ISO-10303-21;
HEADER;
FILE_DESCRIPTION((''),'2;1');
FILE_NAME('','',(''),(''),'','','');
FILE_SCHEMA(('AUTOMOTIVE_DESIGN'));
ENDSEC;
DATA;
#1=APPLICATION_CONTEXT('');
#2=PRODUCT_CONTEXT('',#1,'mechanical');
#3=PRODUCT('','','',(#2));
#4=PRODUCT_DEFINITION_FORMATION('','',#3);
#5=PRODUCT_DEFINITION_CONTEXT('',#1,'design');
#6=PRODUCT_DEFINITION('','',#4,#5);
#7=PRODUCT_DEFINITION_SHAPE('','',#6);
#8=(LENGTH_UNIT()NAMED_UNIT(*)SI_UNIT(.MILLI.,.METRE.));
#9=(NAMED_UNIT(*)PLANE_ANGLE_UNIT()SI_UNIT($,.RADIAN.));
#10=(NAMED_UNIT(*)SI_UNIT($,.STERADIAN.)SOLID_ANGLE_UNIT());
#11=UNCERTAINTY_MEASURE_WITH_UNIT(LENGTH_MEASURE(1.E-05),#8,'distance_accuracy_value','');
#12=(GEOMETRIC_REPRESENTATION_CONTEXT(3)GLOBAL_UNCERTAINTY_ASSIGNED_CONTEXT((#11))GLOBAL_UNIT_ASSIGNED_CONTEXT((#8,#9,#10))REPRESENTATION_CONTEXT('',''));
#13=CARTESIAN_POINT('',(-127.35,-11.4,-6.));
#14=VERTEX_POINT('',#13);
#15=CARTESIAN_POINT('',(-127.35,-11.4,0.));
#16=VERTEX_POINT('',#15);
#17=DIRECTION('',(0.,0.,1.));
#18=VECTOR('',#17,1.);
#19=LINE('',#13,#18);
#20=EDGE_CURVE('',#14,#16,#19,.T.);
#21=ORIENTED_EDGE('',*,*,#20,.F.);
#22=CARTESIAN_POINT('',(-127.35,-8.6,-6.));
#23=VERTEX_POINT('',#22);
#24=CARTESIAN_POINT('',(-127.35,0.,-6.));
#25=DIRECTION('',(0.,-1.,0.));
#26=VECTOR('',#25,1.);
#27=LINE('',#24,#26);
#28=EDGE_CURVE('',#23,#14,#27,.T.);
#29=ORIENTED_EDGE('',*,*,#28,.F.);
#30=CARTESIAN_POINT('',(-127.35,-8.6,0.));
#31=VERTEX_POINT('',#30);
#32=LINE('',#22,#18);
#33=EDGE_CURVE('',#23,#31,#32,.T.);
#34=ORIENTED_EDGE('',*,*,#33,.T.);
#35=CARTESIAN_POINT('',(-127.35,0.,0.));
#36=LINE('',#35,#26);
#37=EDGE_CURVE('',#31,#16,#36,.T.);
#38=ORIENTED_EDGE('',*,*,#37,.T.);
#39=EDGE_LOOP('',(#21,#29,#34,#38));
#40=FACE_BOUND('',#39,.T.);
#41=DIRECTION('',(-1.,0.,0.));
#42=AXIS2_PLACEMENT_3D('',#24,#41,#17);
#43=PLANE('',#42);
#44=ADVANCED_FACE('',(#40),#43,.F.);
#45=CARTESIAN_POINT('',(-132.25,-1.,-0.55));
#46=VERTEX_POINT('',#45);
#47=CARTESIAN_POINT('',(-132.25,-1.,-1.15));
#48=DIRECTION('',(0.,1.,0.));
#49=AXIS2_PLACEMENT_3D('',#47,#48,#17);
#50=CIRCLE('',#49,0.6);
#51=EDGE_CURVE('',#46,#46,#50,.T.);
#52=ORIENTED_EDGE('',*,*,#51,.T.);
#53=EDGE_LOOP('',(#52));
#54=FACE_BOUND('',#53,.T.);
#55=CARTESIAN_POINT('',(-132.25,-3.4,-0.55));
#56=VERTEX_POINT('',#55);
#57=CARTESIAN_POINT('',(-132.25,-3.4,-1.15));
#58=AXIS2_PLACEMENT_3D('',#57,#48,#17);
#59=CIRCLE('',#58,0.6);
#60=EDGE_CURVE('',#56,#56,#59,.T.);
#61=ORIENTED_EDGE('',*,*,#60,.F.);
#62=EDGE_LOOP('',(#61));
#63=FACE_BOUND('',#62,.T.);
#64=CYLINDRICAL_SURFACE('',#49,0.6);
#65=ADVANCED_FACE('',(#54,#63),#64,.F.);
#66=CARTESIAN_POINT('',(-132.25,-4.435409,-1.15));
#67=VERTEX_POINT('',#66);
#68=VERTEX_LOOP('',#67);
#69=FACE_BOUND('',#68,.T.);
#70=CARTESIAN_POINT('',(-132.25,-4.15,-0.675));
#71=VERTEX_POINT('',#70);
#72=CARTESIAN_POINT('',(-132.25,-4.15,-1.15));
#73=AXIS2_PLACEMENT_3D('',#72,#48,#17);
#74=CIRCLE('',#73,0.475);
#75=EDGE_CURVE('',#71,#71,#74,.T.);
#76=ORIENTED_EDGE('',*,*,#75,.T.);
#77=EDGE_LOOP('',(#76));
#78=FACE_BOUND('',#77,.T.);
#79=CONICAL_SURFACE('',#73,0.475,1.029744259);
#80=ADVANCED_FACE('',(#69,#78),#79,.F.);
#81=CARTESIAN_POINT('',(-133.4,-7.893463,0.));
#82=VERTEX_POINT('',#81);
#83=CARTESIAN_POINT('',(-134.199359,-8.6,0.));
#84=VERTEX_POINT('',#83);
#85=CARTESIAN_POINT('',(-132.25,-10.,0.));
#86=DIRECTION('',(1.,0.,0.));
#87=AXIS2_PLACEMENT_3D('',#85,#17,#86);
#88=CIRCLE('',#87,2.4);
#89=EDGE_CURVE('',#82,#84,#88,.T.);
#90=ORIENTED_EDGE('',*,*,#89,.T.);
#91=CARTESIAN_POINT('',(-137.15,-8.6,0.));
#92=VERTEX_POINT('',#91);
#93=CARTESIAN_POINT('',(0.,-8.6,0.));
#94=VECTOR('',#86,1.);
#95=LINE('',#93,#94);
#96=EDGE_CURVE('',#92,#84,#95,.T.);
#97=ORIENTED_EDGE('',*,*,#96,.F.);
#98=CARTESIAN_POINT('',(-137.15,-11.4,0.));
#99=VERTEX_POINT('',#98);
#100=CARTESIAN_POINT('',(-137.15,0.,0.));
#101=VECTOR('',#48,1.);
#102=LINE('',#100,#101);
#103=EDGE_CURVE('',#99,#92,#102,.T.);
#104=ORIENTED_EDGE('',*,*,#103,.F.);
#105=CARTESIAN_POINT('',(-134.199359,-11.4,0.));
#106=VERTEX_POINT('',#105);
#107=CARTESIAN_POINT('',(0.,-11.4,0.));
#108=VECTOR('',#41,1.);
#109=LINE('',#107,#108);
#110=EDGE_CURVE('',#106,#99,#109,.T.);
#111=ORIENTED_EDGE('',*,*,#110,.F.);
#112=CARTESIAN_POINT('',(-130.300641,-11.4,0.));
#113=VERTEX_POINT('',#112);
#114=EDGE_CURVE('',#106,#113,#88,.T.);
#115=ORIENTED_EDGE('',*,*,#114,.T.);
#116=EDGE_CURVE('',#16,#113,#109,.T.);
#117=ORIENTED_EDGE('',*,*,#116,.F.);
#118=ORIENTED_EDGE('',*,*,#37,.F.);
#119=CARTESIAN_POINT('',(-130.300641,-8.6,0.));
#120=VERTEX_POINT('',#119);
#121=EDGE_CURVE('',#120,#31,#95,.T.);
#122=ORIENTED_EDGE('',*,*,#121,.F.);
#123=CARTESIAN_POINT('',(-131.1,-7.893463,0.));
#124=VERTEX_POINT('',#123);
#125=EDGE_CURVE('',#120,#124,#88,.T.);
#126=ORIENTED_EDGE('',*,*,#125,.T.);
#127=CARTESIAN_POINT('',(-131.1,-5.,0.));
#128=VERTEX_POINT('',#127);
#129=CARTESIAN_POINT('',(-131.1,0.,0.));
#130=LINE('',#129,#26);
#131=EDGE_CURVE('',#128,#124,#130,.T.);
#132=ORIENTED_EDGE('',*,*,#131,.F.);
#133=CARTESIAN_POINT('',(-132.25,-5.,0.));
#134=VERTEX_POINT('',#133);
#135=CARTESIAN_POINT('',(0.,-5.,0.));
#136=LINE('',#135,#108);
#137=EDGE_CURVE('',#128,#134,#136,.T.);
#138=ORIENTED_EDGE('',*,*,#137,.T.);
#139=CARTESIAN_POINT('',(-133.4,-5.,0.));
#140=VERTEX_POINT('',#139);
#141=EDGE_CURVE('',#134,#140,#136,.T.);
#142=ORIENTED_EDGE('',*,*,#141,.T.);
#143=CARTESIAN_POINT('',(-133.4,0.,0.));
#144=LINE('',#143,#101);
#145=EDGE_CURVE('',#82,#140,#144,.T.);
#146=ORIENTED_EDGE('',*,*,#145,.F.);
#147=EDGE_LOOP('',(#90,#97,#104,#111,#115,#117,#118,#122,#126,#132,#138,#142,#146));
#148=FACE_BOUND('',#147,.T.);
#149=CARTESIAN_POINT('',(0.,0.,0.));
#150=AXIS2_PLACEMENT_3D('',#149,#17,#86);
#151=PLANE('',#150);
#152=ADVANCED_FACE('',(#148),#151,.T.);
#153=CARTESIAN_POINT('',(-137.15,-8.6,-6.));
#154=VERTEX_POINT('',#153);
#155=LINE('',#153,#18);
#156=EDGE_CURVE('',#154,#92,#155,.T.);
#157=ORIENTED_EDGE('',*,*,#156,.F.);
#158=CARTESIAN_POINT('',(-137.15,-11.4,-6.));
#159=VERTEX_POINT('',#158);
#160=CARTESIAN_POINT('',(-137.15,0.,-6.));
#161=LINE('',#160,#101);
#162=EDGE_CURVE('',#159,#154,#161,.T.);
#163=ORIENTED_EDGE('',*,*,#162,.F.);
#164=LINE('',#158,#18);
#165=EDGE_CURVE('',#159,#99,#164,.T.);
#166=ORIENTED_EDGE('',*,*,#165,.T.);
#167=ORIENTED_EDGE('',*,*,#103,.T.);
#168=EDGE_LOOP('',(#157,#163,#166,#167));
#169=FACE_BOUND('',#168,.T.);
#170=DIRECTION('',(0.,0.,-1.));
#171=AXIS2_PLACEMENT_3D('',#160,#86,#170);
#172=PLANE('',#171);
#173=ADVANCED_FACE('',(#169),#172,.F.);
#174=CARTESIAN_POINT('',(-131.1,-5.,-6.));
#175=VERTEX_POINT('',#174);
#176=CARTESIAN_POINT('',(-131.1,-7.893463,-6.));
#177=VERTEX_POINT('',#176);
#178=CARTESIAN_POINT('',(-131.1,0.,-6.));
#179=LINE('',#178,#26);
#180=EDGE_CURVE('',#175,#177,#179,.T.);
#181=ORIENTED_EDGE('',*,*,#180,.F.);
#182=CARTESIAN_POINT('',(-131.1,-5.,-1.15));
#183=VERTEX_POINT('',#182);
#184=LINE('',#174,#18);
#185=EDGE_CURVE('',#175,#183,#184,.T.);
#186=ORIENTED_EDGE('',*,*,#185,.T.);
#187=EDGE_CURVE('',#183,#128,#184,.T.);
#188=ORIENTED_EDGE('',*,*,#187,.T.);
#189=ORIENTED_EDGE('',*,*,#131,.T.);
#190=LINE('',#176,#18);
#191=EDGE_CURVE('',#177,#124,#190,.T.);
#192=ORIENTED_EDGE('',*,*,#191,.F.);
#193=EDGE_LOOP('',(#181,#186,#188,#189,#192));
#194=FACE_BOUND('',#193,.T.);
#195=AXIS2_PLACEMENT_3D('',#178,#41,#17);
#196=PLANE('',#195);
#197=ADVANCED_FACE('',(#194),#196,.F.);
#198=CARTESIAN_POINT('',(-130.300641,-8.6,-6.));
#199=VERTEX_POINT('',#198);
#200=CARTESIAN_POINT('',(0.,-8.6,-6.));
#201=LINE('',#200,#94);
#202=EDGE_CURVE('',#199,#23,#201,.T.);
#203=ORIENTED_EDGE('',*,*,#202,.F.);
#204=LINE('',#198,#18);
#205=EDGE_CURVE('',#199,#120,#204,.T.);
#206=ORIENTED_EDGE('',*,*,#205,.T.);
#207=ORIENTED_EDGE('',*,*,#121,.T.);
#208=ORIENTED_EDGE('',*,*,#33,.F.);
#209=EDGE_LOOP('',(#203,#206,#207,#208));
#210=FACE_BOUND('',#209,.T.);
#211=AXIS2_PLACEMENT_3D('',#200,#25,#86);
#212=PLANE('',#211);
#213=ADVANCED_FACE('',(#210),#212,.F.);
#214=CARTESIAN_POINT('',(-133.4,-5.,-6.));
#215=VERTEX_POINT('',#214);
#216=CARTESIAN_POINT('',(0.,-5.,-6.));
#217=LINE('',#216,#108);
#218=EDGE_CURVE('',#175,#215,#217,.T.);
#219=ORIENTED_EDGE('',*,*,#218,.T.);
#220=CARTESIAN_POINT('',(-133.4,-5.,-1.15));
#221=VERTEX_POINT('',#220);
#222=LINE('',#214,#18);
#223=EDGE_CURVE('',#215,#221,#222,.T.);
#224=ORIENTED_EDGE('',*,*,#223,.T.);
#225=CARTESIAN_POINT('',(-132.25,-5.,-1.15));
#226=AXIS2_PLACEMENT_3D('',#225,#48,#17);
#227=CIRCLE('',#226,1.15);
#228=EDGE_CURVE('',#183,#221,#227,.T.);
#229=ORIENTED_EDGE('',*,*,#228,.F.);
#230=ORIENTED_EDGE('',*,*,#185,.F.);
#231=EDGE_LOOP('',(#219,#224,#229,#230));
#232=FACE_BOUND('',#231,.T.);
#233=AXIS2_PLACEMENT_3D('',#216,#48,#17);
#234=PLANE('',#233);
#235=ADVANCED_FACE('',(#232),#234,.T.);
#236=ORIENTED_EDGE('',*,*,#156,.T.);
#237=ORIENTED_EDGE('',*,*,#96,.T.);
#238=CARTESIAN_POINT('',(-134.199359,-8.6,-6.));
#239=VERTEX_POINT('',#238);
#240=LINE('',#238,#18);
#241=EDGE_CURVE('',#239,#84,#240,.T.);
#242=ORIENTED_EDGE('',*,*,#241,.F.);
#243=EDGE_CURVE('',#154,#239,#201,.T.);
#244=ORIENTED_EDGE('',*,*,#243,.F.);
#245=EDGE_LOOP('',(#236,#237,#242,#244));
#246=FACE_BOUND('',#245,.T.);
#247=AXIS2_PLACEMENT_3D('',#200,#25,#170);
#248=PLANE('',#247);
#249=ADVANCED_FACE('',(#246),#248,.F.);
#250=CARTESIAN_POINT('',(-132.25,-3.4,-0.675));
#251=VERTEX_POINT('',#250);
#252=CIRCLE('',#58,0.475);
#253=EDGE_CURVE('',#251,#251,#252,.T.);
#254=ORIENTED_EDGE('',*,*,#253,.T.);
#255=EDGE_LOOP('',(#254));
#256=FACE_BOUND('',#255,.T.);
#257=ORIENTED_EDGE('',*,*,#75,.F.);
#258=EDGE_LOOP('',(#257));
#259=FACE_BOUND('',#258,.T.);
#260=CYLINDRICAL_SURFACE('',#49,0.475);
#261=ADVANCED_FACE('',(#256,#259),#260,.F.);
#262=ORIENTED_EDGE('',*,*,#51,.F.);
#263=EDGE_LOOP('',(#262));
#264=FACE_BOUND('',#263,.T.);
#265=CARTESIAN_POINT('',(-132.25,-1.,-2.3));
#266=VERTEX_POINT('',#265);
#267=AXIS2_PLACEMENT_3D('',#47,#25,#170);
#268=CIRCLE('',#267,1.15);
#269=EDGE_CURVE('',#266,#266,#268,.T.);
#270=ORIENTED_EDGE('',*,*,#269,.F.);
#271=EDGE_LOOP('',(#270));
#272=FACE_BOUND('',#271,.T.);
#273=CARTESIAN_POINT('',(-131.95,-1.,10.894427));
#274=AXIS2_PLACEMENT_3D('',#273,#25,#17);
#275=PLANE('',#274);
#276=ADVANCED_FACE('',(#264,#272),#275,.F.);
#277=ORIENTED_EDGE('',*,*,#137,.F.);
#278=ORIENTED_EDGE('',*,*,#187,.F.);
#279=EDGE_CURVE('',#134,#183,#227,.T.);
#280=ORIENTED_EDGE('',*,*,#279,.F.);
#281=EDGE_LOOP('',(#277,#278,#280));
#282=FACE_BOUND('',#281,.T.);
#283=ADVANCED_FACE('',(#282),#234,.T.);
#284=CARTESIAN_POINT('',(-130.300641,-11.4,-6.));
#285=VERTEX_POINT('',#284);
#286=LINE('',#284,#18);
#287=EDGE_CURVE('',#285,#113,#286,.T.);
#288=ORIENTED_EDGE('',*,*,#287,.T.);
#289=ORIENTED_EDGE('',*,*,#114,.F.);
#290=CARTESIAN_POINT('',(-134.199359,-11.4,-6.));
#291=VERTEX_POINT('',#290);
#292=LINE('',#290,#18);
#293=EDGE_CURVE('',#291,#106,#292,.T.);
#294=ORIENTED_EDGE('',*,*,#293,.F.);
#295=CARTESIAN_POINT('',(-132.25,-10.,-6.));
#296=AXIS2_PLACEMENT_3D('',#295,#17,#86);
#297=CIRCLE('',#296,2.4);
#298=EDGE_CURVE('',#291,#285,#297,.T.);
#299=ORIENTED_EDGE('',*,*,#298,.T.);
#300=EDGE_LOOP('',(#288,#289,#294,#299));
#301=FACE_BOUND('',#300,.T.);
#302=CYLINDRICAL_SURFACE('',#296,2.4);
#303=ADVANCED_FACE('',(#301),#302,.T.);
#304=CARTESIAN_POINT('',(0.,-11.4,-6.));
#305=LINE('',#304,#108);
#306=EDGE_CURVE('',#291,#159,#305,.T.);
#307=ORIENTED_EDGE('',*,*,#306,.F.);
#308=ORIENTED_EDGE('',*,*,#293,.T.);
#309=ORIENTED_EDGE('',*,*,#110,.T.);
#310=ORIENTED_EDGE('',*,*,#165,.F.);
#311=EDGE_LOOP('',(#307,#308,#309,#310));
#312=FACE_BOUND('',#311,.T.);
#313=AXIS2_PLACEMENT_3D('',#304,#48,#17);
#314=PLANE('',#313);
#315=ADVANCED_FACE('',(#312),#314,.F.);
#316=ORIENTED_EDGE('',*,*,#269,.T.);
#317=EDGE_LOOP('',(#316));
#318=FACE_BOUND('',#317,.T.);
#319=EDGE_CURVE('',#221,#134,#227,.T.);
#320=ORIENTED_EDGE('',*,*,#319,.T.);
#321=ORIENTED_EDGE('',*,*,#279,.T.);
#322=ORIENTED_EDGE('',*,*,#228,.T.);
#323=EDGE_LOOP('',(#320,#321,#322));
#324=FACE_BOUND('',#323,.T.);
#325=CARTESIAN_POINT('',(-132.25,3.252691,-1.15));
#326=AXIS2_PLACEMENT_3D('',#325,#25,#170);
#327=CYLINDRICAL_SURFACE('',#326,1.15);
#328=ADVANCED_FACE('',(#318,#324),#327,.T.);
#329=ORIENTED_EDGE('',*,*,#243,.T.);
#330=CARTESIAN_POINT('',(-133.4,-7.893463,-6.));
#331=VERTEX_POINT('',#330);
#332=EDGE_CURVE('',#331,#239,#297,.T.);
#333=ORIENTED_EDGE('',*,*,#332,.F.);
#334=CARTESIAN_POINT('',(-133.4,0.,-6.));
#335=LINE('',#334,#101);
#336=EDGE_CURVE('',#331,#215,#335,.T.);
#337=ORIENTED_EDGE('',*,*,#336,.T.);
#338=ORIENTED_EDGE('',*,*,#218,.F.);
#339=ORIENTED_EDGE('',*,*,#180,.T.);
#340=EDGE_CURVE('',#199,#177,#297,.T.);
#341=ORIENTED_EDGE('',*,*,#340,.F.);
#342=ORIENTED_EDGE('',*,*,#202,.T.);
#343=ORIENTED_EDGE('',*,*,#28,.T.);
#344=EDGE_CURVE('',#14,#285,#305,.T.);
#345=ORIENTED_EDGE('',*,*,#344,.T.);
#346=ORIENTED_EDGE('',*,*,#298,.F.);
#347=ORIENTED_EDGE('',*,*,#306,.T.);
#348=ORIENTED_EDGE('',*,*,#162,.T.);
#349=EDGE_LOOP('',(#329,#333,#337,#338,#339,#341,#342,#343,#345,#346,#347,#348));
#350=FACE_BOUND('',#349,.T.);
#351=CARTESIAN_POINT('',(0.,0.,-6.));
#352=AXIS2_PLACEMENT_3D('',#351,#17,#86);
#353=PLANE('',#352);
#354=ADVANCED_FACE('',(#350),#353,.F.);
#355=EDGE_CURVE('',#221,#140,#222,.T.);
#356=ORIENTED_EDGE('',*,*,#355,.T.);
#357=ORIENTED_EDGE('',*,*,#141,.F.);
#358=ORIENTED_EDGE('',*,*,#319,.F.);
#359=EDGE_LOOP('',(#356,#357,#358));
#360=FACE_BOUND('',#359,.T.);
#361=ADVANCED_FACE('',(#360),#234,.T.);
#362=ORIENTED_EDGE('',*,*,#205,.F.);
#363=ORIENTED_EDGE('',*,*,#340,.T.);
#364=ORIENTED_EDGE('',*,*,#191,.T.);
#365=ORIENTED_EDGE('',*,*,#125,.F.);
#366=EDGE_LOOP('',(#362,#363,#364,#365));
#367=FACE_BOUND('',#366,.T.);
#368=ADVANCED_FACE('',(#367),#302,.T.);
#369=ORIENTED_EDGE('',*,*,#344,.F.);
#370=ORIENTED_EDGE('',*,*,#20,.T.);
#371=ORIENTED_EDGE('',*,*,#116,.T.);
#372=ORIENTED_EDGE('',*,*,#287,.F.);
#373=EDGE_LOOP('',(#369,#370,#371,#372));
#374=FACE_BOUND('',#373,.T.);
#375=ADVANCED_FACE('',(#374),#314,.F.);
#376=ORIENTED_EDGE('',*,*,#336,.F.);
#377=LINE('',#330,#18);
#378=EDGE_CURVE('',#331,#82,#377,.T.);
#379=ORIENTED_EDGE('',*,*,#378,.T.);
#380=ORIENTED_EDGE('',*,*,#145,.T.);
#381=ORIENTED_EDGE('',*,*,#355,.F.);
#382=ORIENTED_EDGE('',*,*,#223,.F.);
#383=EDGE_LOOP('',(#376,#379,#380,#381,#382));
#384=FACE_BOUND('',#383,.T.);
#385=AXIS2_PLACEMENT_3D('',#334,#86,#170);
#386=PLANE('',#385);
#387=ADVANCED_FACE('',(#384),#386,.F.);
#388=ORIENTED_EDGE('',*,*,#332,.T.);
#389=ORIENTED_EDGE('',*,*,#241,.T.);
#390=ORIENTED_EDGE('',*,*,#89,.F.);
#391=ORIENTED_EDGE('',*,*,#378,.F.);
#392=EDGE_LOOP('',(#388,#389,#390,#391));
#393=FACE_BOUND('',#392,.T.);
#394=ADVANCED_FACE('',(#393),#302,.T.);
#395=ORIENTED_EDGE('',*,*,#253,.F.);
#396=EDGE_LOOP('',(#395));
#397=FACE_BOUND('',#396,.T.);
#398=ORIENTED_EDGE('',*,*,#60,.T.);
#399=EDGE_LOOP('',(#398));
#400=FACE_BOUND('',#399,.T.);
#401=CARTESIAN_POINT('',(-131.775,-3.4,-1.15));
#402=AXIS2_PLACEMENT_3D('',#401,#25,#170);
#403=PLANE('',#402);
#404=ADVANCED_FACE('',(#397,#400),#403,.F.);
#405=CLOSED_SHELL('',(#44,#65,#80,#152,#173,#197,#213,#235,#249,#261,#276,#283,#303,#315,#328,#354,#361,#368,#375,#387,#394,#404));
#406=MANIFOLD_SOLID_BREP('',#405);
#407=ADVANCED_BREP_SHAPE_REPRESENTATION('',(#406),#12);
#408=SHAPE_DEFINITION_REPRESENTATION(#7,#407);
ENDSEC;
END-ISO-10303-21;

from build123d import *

# Parameters (mm, degrees)
BOSS_EXTRUDE1_DEPTH                = 6
BOSS_EXTRUDE2_DEPTH                = 4
M1_2X0_25_TAPPED_HOLE1_D           = 0.95
M1_2X0_25_TAPPED_HOLE1_DEPTH       = 3.15
M1_2X0_25_TAPPED_HOLE1_CBORE_D     = 1.2
M1_2X0_25_TAPPED_HOLE1_CBORE_DEPTH = 2.4
M1_2X0_25_TAPPED_HOLE1_TIP         = 0.285408794


with BuildPart() as part:
    # Sketch2 → Boss-Extrude1 (new body)
    with BuildSketch(Plane.XY):
        with BuildLine():
            Line((-131.1, -7.893462557), (-131.1, -5))
            Line((-131.1, -5), (-133.4, -5))
            Line((-133.4, -5), (-133.4, -7.893462557))
            ThreePointArc((-133.4, -7.893462557), (-133.839435478, -8.201752281), (-134.199358869, -8.6))
            Line((-134.199358869, -8.6), (-137.15, -8.6))
            Line((-137.15, -8.6), (-137.15, -11.4))
            Line((-137.15, -11.4), (-134.199358869, -11.4))
            ThreePointArc((-134.199358869, -11.4), (-132.25, -12.4), (-130.300641131, -11.4))
            Line((-130.300641131, -11.4), (-127.35, -11.4))
            Line((-127.35, -11.4), (-127.35, -8.6))
            Line((-127.35, -8.6), (-130.300641131, -8.6))
            ThreePointArc((-130.300641131, -8.6), (-130.660564522, -8.201752281), (-131.1, -7.893462557))
        make_face()
    extrude(amount=-BOSS_EXTRUDE1_DEPTH)

    # Sketch3 → Boss-Extrude2 (add)
    with BuildSketch(Plane(origin=(0, -5, 0), x_dir=(1, 0, 0), z_dir=(0, 1, 0))):
        with BuildLine():
            ThreePointArc((-133.4, 1.15), (-132.25, 0), (-131.1, 1.15))
            Line((-131.1, 1.15), (-133.4, 1.15))
        make_face()
        with BuildLine():
            Line((-133.4, 1.15), (-131.1, 1.15))
            ThreePointArc((-131.1, 1.15), (-132.25, 2.3), (-133.4, 1.15))
        make_face()
    extrude(amount=BOSS_EXTRUDE2_DEPTH)

    # M1.2x0.25 Tapped Hole1
    with Locations(Plane(origin=(-132.25, -1, -1.15), x_dir=(0, 0, 1), z_dir=(0, 1, 0))):
        with Locations((0, 0)):
            CounterBoreHole(M1_2X0_25_TAPPED_HOLE1_D / 2, M1_2X0_25_TAPPED_HOLE1_CBORE_D / 2, M1_2X0_25_TAPPED_HOLE1_CBORE_DEPTH, depth=M1_2X0_25_TAPPED_HOLE1_DEPTH)
            with Locations((0, 0, -(M1_2X0_25_TAPPED_HOLE1_DEPTH + M1_2X0_25_TAPPED_HOLE1_TIP / 2))):  # 118° drill point
                Cone(0, M1_2X0_25_TAPPED_HOLE1_D / 2, M1_2X0_25_TAPPED_HOLE1_TIP, mode=Mode.SUBTRACT)


solid = part.part
